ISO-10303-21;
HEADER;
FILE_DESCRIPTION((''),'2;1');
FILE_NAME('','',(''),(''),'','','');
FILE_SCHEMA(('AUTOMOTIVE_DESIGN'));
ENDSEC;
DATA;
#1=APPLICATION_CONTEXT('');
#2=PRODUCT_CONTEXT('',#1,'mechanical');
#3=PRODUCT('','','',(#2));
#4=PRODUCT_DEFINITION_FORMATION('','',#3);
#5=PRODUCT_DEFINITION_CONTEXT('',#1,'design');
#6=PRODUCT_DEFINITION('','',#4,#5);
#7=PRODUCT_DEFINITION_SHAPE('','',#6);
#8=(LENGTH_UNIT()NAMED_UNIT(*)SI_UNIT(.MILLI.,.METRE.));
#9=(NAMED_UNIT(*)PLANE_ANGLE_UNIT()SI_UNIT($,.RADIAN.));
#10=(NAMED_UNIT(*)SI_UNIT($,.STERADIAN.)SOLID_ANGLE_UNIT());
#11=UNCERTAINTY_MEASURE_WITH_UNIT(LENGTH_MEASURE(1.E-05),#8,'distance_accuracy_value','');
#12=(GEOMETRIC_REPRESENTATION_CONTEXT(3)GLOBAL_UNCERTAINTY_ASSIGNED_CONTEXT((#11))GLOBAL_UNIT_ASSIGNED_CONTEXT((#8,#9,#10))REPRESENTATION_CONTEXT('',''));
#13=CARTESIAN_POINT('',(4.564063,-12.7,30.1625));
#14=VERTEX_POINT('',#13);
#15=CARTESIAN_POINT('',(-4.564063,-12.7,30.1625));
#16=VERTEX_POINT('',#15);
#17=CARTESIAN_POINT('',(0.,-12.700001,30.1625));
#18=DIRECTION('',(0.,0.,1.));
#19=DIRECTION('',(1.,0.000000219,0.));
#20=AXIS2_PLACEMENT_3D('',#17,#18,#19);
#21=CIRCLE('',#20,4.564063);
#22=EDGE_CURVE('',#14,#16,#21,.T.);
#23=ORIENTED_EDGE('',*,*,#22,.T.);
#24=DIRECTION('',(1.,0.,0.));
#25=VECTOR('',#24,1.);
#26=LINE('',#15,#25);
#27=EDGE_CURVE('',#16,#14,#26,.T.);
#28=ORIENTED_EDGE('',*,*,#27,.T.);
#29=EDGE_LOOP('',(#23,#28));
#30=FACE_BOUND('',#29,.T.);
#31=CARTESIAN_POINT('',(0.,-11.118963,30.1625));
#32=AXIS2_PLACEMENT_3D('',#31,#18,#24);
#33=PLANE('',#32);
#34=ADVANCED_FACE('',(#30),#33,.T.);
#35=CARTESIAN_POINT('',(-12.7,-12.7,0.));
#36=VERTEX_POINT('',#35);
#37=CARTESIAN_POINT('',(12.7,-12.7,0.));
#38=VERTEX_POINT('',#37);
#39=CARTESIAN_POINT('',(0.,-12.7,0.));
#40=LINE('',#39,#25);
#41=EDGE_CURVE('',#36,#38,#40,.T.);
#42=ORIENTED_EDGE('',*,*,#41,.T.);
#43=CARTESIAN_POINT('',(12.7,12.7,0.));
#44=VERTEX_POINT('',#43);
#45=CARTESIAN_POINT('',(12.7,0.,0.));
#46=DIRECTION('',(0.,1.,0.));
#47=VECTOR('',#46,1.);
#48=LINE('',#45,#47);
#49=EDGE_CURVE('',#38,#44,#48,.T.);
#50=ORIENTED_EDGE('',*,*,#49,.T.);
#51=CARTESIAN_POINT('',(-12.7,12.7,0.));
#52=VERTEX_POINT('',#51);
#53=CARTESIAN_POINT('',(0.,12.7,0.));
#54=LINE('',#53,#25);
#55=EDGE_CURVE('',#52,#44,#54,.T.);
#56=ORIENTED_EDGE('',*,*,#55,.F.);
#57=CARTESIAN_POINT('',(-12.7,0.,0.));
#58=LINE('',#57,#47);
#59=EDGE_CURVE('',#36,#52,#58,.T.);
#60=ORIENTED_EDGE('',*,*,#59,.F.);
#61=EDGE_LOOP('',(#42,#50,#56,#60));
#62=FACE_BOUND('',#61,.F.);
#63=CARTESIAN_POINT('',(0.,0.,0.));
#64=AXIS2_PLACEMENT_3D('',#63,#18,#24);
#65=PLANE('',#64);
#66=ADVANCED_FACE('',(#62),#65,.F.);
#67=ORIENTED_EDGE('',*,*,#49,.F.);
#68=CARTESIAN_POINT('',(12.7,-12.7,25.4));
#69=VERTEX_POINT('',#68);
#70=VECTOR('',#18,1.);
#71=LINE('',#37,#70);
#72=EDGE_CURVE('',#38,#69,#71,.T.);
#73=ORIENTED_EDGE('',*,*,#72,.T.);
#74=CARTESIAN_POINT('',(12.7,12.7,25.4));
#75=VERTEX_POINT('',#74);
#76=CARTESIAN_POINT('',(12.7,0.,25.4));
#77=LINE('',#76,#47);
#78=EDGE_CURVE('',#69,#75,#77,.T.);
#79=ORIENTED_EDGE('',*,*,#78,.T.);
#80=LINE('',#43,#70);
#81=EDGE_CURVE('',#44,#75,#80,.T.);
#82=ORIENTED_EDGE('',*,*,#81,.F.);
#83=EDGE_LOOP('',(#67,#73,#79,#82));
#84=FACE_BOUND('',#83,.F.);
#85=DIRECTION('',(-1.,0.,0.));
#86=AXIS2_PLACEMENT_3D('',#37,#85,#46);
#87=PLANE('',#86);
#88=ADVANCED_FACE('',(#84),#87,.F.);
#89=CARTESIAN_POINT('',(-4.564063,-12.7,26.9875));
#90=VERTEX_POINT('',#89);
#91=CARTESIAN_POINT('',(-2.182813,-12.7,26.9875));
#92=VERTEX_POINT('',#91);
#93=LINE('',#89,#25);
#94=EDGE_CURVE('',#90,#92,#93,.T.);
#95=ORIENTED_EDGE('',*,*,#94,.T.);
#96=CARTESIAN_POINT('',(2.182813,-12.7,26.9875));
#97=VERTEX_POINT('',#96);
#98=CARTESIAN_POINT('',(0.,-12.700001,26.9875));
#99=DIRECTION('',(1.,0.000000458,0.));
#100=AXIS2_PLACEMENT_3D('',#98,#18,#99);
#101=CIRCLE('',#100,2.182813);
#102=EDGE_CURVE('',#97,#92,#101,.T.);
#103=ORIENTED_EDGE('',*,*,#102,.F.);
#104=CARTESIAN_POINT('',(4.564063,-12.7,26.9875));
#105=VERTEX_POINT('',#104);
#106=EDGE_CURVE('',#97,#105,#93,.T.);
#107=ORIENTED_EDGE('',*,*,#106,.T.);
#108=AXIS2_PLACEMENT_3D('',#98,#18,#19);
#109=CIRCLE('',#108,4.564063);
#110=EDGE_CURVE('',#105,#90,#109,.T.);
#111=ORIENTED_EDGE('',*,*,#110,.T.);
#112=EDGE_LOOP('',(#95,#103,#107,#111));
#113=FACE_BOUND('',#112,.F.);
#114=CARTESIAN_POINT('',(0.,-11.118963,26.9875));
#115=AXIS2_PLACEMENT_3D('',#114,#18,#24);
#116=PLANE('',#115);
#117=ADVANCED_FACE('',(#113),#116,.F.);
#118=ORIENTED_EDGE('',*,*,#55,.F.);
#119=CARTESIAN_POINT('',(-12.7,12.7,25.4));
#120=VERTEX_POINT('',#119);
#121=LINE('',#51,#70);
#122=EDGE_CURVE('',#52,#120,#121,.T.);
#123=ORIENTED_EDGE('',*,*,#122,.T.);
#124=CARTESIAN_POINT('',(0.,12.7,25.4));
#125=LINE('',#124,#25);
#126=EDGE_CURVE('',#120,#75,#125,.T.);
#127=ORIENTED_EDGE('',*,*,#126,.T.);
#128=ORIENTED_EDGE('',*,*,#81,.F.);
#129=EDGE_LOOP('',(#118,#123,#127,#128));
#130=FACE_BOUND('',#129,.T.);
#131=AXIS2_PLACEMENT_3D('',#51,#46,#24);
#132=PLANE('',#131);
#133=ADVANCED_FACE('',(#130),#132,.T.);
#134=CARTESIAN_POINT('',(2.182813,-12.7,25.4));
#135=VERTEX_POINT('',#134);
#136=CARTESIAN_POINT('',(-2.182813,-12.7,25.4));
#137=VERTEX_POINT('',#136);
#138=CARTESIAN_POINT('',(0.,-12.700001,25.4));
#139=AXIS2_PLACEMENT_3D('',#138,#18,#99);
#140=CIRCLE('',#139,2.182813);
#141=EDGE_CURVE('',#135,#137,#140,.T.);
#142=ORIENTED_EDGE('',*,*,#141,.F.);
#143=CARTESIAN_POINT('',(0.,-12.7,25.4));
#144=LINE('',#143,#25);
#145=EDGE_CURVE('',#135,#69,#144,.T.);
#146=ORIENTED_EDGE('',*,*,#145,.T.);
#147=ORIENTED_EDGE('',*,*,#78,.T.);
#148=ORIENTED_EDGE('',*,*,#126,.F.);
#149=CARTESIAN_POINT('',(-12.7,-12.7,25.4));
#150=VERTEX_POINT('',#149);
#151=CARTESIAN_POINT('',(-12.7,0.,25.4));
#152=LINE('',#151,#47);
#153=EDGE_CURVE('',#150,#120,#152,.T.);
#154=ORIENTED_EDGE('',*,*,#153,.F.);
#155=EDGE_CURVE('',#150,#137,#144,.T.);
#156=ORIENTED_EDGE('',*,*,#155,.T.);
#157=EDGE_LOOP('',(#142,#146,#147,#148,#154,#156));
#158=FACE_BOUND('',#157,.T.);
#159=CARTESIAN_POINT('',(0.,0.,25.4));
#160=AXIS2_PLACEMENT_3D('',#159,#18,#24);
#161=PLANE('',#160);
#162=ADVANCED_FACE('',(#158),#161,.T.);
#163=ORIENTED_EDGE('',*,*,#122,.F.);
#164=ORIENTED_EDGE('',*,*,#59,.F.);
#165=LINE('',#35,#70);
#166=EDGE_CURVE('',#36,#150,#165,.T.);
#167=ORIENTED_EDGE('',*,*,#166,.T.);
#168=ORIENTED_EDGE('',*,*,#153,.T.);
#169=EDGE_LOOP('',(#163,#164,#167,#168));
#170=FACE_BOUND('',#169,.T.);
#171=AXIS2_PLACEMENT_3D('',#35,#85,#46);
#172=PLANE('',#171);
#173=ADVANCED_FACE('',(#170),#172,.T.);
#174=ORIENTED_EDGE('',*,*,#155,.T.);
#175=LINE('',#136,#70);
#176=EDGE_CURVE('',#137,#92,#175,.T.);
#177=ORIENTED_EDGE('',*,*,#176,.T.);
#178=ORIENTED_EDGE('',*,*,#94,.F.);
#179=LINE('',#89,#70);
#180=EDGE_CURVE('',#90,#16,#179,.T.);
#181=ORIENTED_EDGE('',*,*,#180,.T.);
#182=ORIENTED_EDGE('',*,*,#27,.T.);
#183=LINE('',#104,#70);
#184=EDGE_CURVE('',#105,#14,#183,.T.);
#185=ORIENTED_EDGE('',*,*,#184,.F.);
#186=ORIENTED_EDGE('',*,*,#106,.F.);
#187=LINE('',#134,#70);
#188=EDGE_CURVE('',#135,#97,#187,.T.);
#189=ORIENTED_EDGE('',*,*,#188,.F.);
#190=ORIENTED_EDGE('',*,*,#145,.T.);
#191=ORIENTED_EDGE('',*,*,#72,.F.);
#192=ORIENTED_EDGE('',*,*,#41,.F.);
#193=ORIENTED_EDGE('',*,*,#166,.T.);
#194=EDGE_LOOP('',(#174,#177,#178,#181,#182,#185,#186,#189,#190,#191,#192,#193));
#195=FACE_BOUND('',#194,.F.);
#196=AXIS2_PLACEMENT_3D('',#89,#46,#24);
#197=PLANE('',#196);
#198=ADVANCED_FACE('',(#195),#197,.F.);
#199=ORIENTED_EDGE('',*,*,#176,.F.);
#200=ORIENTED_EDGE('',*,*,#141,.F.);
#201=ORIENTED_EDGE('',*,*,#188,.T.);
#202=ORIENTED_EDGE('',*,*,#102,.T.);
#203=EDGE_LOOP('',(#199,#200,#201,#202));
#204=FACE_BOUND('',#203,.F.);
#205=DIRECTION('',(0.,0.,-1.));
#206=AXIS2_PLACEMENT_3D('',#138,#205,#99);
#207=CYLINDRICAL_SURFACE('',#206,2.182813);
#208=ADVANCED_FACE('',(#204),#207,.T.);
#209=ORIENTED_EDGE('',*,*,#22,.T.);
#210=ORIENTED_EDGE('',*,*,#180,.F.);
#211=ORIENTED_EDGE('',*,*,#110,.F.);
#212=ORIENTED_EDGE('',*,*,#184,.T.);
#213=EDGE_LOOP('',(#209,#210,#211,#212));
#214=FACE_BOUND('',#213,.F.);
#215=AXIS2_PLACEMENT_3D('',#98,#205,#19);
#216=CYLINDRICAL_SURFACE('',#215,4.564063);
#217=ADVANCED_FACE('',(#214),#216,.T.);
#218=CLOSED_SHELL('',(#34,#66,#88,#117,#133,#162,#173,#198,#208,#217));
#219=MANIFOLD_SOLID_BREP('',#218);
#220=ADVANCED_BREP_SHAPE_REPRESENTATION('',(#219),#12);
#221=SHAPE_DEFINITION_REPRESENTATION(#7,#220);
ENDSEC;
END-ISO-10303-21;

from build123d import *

# Parameters (mm, degrees)
F0_W     = 25.4
F0_H     = 25.4
F1_DEPTH = 25.4
F3_DEPTH = 1.5875
F5_DEPTH = 3.175


with BuildPart() as f1:
    # F0 (on Top) → F1 (new body)
    with BuildSketch(Plane.XY):
        Rectangle(F0_W, F0_H)
    extrude(amount=F1_DEPTH)

    # F2 (on face) → F3 (join)
    with BuildSketch(Plane.XY.offset(25.4)):
        with BuildLine():
            Line((-2.182813, -12.7), (2.182813, -12.7))
            ThreePointArc((2.182813, -12.7), (0, -10.517188), (-2.182813, -12.7))
        make_face()
    extrude(amount=F3_DEPTH)

    # F4 (on face) → F5 (join)
    with BuildSketch(Plane.XY.offset(26.9875)):
        with BuildLine():
            Line((-4.564063, -12.7), (4.564063, -12.7))
            ThreePointArc((4.564063, -12.7), (0, -8.135938), (-4.564063, -12.7))
        make_face()
    extrude(amount=F5_DEPTH)


solid = f1.part
